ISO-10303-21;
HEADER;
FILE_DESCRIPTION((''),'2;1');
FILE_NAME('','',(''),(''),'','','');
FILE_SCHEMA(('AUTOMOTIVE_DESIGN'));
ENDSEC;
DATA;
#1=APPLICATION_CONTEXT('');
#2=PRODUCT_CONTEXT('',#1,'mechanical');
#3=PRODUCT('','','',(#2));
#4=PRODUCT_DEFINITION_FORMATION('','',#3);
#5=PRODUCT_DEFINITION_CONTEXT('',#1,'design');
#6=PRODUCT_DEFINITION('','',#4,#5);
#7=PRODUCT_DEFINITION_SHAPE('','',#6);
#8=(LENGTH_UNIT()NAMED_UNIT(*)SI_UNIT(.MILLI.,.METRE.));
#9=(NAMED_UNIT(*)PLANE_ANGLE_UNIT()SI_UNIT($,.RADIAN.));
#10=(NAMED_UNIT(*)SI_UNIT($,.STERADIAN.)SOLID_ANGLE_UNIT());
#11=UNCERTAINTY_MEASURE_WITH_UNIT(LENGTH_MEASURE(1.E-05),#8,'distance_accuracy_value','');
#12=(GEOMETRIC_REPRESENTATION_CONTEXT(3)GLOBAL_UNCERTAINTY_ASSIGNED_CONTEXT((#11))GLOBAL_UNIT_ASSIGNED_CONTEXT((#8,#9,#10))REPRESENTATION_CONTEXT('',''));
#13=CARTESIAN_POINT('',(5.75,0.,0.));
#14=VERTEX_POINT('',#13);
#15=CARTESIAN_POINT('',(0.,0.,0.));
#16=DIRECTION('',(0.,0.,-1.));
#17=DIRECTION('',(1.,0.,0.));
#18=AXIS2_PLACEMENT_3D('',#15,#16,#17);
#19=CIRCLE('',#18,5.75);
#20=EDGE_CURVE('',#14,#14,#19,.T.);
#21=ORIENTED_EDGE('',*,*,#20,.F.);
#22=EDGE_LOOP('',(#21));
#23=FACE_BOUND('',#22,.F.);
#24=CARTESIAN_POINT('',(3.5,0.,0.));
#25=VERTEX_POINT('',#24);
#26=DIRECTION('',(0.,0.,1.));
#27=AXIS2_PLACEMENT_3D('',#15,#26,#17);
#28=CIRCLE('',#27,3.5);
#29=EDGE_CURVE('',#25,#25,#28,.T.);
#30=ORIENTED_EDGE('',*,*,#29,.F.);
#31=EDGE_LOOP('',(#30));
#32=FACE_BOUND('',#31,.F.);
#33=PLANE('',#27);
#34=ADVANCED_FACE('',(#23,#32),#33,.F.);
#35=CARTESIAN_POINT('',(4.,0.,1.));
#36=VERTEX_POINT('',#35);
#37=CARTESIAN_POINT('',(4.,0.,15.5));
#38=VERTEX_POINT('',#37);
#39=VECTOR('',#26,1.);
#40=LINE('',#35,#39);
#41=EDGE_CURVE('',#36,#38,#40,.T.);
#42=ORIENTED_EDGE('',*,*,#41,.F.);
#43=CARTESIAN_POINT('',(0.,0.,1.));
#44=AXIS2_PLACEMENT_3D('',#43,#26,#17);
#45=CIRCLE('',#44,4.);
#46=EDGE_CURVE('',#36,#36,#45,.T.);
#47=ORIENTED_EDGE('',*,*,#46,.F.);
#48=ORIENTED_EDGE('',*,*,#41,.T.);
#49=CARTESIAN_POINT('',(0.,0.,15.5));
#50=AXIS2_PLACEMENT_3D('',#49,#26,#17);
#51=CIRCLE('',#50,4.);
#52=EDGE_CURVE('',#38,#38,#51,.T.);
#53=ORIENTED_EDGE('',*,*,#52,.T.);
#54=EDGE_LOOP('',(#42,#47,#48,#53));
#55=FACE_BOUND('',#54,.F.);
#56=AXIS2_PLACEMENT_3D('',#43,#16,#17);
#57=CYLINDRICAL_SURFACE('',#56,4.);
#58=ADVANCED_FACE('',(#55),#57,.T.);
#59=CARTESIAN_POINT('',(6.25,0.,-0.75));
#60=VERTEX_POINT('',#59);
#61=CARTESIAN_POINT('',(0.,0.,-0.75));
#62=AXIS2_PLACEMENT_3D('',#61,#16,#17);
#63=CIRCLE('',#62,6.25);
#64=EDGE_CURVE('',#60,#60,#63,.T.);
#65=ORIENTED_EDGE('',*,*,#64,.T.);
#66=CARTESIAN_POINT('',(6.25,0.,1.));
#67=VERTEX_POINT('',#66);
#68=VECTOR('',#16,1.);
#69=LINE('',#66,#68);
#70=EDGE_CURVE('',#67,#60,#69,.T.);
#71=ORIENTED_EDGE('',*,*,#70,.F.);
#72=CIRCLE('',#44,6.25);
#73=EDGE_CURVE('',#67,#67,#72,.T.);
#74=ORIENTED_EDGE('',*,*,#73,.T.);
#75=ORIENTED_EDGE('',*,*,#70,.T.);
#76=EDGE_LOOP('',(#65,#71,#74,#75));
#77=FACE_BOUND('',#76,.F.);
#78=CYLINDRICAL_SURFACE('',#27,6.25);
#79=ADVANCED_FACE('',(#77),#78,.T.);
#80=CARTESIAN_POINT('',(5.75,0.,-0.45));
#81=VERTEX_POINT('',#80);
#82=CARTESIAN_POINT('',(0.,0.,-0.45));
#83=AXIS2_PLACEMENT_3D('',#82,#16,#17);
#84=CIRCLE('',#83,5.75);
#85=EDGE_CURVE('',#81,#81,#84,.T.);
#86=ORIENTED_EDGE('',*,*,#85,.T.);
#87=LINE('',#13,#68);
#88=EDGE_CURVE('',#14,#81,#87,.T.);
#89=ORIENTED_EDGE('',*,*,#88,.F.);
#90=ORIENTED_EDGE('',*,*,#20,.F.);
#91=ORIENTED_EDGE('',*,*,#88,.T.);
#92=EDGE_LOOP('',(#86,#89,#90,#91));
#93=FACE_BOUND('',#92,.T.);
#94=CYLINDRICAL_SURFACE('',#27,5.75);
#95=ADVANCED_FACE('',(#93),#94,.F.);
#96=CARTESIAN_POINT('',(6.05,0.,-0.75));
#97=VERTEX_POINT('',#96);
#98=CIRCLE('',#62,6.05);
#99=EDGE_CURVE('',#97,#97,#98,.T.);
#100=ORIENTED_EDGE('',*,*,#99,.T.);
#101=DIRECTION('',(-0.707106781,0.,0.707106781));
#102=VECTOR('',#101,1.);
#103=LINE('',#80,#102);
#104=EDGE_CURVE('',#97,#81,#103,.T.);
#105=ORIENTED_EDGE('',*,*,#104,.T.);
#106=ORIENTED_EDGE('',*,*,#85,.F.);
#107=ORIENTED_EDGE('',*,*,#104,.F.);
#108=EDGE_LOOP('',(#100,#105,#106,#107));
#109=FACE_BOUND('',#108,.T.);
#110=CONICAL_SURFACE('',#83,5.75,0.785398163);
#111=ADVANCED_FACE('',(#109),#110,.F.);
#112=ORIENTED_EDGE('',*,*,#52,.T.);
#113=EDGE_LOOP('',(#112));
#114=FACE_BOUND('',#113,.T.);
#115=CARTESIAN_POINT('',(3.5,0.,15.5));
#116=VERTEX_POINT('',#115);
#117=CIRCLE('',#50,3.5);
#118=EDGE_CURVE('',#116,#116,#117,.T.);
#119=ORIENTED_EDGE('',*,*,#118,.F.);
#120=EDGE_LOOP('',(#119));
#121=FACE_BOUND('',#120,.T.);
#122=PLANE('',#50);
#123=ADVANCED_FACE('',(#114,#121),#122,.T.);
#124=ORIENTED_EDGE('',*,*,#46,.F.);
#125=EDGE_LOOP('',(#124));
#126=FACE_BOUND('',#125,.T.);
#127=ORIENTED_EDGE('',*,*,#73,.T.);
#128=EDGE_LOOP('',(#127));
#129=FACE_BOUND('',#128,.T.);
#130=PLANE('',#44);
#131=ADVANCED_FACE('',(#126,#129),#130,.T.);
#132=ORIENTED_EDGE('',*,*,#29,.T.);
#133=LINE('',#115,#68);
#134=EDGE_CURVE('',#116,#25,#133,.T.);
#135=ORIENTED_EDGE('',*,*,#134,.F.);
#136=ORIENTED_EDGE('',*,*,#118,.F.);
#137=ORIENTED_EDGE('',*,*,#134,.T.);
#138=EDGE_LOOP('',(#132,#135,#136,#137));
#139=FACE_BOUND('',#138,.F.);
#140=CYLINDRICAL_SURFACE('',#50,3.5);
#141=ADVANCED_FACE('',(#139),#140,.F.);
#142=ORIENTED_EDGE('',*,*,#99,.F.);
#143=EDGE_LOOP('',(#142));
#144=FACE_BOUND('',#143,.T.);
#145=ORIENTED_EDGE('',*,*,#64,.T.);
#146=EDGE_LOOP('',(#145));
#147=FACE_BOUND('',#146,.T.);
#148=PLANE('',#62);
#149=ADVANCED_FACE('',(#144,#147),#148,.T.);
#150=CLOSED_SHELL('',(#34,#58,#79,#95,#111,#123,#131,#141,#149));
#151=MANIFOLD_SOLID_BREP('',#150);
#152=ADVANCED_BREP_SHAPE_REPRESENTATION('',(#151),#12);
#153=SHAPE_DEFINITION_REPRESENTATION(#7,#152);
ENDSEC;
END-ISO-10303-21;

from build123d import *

# Parameters (mm, degrees)
F0_R     = 6.25
F1_DEPTH = 1
F2_R     = 6.25
F2_R_2   = 5.75
F3_DEPTH = 0.75
F4_R     = 4
F5_DEPTH = 14.5
F6_R     = 3.5
F7_DEPTH = 25
F8_SIZE  = 0.3


with BuildPart() as f1:
    # F0 (on Top) → F1 (new body)
    with BuildSketch(Plane.XY):
        Circle(F0_R)
    extrude(amount=F1_DEPTH)

    # F2 (on face) → F3 (join)
    with BuildSketch(Plane(origin=(0, 0, 0), x_dir=(1, 0, 0), z_dir=(0, 0, -1))):
        Circle(F2_R)
        Circle(F2_R_2, mode=Mode.SUBTRACT)
    extrude(amount=F3_DEPTH)

    # F4 (on face) → F5 (join)
    with BuildSketch(Plane.XY.offset(1)):
        Circle(F4_R)
    extrude(amount=F5_DEPTH)

    # F6 (on face) → F7 (cut)
    with BuildSketch(Plane.XY.offset(15.5)):
        Circle(F6_R)
    extrude(amount=-F7_DEPTH, mode=Mode.SUBTRACT)

    # F8
    f8_edges = [f1.edges().sort_by_distance(p)[0] for p in [
        (-5.75, 0, -0.75),
    ]]
    chamfer(f8_edges, length=F8_SIZE)


solid = f1.part
